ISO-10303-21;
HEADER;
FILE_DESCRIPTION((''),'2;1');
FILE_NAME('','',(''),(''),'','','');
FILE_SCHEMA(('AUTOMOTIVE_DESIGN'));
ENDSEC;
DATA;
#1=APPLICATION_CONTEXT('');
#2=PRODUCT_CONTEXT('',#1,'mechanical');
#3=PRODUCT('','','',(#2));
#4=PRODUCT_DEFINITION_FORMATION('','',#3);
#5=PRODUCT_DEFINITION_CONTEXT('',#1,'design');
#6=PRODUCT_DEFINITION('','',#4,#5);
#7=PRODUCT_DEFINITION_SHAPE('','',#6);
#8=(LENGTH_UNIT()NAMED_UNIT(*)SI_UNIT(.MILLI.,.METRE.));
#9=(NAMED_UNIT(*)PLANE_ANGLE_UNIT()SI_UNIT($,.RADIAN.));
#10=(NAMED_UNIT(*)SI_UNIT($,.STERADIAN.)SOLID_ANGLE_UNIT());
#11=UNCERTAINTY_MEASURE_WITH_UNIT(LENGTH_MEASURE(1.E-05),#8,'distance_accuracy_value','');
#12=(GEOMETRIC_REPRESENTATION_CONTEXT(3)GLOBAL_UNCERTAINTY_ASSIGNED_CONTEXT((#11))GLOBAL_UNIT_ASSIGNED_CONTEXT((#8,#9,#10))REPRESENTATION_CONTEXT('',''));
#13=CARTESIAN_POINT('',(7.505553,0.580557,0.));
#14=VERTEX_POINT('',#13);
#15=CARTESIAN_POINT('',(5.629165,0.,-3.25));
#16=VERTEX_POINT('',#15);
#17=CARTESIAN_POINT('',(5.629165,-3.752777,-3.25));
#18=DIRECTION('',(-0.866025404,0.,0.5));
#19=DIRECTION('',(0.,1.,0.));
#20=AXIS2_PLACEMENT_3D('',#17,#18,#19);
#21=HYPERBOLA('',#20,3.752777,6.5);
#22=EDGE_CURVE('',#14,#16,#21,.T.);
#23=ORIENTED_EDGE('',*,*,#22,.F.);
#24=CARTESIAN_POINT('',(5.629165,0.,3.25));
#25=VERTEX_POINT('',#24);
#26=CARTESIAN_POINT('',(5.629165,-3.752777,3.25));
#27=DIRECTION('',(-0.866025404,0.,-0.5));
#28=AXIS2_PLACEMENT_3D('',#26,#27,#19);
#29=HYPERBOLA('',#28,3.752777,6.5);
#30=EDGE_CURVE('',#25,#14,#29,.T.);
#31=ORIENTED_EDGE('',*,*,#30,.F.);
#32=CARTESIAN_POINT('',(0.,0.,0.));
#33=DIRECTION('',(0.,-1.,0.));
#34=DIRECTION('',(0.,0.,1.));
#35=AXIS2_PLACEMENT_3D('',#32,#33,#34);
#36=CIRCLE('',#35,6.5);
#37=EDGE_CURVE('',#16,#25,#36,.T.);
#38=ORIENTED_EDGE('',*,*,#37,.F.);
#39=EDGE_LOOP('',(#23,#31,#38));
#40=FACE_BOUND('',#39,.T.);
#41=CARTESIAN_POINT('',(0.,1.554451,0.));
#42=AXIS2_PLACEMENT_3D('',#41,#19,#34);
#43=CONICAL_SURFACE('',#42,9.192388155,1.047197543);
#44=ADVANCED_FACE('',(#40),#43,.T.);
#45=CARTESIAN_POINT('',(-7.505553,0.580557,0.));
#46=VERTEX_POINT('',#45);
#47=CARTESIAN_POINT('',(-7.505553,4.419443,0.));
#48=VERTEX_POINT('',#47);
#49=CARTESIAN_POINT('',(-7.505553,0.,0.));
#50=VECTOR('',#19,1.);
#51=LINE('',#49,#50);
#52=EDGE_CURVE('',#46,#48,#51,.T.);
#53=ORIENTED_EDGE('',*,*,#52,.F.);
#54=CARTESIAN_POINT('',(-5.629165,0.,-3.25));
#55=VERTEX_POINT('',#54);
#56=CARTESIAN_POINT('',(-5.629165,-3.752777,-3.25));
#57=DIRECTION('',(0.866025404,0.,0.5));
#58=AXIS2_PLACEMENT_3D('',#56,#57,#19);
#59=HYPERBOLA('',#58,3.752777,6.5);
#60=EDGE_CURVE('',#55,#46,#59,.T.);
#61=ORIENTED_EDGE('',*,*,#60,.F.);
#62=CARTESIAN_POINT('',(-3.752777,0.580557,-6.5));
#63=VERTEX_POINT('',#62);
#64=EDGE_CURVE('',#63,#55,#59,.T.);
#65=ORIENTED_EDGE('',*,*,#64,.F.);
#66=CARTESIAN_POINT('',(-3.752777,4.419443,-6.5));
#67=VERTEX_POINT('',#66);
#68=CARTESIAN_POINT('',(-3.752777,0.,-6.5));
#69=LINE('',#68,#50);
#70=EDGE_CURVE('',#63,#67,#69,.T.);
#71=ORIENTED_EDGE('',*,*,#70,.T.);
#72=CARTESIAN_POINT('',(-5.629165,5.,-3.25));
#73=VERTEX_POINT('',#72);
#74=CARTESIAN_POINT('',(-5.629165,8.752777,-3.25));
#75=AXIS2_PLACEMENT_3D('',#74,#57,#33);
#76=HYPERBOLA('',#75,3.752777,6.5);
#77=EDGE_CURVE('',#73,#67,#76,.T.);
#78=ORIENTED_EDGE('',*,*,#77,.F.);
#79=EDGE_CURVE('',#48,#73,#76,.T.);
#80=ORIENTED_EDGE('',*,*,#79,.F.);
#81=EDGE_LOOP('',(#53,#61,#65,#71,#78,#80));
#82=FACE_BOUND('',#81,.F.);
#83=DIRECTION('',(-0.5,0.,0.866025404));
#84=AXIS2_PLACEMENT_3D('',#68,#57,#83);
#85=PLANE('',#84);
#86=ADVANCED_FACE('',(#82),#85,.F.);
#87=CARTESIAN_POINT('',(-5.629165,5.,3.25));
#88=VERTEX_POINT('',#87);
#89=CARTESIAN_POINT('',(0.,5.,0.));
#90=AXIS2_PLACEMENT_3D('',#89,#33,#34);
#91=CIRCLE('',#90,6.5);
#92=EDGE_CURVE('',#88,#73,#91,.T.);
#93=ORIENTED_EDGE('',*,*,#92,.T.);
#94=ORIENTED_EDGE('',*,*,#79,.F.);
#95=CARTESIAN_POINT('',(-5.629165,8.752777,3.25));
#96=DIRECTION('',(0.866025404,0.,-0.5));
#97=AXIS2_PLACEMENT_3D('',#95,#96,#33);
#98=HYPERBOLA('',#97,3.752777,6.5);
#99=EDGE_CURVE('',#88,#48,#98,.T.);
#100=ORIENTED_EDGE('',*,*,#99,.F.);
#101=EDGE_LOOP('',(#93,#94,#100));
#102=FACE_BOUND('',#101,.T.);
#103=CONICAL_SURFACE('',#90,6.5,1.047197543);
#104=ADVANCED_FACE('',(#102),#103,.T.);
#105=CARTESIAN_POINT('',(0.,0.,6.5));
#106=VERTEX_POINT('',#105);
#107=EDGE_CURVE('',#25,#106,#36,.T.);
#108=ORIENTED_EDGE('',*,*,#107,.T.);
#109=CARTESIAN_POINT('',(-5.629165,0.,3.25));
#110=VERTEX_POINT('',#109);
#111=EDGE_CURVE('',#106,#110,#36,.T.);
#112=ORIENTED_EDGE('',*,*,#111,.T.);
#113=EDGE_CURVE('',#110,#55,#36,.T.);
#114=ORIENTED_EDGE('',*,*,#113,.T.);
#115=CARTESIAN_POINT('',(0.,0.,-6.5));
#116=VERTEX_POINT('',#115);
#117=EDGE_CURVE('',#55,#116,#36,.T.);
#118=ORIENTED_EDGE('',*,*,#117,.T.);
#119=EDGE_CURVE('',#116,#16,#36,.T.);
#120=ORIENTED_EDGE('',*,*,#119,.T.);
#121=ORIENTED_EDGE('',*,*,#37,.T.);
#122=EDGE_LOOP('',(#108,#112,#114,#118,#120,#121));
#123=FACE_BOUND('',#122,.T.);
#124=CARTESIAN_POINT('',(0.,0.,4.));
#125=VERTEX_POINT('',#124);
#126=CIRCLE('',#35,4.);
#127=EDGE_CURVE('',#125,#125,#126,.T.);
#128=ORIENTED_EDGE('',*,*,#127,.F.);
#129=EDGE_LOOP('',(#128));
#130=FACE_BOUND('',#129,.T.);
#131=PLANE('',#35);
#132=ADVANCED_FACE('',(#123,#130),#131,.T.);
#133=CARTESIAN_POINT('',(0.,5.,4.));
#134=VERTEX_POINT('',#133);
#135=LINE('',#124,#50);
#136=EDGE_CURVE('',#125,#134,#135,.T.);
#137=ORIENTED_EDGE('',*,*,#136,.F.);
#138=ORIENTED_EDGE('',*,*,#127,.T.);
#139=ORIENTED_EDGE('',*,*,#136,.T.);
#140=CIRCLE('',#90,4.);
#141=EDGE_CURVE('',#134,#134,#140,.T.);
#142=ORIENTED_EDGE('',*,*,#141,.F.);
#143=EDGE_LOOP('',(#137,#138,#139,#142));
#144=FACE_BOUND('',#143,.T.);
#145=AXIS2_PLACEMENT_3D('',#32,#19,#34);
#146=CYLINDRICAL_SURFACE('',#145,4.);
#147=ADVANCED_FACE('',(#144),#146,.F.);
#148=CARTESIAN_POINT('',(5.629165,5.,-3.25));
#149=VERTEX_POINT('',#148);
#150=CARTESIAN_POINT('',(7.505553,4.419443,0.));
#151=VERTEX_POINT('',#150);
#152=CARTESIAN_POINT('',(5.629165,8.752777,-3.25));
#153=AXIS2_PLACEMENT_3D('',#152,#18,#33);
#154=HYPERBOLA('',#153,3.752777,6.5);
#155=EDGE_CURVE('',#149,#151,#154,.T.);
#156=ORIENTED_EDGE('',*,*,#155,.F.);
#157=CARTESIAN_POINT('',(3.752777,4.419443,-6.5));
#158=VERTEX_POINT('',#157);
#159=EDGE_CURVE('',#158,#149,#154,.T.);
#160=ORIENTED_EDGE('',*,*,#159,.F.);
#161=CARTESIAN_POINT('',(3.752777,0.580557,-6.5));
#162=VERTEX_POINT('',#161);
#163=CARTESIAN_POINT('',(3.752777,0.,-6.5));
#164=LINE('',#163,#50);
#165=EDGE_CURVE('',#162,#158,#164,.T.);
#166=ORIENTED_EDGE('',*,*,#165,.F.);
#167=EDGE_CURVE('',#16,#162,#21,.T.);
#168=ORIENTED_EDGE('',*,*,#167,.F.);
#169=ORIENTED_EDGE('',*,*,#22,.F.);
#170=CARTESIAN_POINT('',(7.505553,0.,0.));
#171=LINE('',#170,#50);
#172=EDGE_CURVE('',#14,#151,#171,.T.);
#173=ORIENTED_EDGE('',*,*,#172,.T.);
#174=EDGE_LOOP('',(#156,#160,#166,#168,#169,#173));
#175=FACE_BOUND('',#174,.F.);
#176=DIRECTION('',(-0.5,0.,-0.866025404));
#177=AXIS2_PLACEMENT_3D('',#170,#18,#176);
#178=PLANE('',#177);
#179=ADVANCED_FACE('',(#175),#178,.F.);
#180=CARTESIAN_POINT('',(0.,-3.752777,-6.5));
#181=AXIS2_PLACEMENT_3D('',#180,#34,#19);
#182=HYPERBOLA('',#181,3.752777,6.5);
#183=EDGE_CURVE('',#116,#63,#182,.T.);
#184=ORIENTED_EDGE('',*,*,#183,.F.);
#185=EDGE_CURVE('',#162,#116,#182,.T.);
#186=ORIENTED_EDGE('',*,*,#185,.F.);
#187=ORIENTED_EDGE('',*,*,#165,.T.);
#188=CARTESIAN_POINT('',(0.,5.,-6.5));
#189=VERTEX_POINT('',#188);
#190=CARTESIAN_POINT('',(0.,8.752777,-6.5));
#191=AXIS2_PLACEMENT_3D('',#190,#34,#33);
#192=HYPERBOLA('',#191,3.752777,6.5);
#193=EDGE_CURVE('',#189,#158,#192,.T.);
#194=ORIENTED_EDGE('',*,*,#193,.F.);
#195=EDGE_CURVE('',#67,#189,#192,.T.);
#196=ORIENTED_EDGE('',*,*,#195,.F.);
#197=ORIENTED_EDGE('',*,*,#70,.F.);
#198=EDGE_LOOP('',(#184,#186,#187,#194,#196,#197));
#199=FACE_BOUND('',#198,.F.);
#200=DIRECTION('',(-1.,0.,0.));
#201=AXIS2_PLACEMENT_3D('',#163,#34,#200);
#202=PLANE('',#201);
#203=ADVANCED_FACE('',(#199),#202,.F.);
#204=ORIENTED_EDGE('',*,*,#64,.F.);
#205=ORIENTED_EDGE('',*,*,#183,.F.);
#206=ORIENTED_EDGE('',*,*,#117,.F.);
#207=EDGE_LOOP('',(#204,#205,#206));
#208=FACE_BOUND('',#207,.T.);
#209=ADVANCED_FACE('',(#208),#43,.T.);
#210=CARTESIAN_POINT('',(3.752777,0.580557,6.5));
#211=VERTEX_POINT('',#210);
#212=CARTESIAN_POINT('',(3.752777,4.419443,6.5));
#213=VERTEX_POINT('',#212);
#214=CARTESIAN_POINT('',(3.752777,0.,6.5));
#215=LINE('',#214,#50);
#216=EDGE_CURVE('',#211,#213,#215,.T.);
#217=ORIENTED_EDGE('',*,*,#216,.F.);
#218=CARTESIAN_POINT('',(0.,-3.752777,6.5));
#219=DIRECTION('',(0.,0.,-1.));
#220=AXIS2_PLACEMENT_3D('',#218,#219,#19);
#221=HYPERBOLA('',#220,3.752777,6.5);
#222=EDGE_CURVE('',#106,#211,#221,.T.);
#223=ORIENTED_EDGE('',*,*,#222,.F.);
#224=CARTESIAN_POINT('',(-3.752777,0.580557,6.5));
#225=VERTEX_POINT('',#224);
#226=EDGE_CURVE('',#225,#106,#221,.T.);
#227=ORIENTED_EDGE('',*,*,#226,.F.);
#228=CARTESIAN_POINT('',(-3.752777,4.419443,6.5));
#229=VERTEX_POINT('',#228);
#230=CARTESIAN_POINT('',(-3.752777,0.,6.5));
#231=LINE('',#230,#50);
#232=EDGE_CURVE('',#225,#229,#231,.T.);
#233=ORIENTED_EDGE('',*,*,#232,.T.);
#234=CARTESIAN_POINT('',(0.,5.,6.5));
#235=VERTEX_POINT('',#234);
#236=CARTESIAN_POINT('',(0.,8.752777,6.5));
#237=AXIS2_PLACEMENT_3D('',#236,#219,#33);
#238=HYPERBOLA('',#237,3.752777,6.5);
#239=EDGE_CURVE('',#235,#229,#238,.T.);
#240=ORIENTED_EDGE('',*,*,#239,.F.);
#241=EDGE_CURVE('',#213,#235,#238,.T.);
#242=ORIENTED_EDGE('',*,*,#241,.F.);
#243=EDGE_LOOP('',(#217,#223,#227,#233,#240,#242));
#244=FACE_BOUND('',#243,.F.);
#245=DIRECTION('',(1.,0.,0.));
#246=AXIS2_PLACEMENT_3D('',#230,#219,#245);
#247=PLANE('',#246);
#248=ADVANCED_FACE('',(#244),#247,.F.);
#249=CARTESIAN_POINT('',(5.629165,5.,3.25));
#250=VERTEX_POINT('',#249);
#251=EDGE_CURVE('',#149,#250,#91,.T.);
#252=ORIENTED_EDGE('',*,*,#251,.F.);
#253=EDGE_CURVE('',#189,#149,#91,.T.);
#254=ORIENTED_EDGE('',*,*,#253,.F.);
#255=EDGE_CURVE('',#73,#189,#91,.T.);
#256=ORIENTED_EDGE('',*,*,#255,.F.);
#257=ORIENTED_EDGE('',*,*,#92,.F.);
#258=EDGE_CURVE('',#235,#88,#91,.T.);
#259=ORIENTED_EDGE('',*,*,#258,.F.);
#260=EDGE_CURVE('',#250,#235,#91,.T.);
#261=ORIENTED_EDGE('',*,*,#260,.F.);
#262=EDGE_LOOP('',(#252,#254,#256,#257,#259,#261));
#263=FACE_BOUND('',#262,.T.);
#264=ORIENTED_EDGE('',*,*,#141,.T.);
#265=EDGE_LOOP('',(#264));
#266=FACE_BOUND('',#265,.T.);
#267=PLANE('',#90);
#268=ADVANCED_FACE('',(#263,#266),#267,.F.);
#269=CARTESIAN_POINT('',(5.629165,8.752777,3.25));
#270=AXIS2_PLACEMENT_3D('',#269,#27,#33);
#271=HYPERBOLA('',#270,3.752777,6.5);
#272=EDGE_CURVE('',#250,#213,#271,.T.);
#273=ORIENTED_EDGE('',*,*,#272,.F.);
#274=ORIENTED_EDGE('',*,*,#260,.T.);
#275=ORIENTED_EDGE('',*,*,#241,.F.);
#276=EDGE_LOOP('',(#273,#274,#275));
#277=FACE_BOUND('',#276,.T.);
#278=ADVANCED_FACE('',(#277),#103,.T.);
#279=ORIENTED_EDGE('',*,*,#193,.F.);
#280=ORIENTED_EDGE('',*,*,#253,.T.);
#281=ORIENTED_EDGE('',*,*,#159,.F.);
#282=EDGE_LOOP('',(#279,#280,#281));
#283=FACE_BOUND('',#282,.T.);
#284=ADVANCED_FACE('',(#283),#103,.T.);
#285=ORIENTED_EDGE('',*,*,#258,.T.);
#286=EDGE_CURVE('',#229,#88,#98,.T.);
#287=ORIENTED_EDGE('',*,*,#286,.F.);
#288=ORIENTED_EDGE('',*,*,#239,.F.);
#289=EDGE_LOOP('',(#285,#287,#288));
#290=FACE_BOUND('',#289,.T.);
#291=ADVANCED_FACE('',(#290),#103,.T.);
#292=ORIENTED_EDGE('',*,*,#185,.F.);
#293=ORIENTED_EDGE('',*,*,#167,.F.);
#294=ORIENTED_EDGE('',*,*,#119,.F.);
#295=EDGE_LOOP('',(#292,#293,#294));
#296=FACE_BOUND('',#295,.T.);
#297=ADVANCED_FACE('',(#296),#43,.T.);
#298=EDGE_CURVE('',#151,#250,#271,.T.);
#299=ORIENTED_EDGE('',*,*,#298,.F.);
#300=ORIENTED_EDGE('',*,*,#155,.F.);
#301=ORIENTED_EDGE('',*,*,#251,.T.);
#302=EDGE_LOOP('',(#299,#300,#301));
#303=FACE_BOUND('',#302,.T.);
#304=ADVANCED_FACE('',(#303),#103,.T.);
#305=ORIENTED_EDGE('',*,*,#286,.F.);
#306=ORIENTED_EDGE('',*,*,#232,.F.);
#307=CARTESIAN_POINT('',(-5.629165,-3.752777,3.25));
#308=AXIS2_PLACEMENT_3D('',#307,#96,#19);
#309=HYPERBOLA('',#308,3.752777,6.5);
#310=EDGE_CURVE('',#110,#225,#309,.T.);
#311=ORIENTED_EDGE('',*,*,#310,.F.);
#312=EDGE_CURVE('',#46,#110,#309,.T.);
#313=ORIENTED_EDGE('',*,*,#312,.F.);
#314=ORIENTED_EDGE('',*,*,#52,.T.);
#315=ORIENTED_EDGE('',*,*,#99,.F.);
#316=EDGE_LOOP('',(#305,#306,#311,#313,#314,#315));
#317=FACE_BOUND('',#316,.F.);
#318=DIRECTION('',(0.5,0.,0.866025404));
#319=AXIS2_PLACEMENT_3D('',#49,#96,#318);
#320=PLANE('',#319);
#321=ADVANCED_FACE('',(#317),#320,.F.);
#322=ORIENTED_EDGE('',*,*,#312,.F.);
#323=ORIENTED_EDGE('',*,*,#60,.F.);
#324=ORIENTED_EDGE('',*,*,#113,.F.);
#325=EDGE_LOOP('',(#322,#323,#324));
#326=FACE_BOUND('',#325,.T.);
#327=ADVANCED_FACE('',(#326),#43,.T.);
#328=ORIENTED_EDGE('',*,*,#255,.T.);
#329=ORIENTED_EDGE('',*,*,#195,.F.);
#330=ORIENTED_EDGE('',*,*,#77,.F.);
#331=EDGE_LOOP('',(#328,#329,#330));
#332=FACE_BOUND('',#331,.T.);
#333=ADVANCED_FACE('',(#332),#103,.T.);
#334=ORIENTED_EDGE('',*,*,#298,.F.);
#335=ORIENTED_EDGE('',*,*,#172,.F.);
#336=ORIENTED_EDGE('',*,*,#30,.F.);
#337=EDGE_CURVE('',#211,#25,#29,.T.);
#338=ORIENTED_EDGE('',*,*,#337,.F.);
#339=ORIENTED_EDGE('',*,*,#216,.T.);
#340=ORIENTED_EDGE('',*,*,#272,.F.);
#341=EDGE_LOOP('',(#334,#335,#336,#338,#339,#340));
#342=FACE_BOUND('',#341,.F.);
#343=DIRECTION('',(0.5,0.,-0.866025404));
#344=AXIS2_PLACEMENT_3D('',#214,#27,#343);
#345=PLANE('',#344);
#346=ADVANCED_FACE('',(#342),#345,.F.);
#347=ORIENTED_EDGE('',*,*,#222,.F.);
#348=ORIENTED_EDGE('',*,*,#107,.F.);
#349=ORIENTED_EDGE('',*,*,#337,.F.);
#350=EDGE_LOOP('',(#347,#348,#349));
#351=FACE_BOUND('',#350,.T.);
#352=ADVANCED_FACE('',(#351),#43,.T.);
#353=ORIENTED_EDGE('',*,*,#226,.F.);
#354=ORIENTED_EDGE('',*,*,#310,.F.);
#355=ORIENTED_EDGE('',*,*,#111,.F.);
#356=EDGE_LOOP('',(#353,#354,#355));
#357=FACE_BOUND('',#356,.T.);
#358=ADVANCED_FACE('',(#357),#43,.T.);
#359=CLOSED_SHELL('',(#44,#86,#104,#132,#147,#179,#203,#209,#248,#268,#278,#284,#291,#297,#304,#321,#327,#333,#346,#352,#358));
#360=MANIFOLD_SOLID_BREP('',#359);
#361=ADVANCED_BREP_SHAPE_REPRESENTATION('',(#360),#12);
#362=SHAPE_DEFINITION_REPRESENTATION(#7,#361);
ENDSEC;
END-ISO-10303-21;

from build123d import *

# Parameters (mm, degrees)
ESQUISSE2_OUTSIDE_W     = 25.68
ESQUISSE2_OUTSIDE_H     = 25.68
ENL_V_MAT_EXTRU_1_DEPTH = 5


with BuildPart() as part:
    # Esquisse1 → Base-Révolution (revolve)
    with BuildSketch(Plane.XY, mode=Mode.PRIVATE) as base_r_volution_sk:
        Polygon((4, 5), (6.5, 5), (9.192388155, 3.445548946), (9.192388155, 1.554451054), (6.5, 0), (4, 0), align=None)
    revolve(base_r_volution_sk.sketch.rotate(Axis((0, 2.4, 0), (0, -1, 0)), 90), axis=Axis((0, 2.4, 0), (0, -1, 0)))  # turned: the seam where the file's is

    # Esquisse2 outside → Enlèv. mat.-Extru.1 (cut)
    with BuildSketch(Plane(origin=(0, 0, 0), x_dir=(1, 0, 0), z_dir=(0, 1, 0))):
        Rectangle(ESQUISSE2_OUTSIDE_W, ESQUISSE2_OUTSIDE_H)
        Polygon((-3.75277675, -6.5), (3.75277675, -6.5), (7.505553499, 0), (3.75277675, 6.5), (-3.75277675, 6.5), (-7.505553499, 0), align=None, mode=Mode.SUBTRACT)
    extrude(amount=ENL_V_MAT_EXTRU_1_DEPTH, mode=Mode.SUBTRACT)


solid = part.part
